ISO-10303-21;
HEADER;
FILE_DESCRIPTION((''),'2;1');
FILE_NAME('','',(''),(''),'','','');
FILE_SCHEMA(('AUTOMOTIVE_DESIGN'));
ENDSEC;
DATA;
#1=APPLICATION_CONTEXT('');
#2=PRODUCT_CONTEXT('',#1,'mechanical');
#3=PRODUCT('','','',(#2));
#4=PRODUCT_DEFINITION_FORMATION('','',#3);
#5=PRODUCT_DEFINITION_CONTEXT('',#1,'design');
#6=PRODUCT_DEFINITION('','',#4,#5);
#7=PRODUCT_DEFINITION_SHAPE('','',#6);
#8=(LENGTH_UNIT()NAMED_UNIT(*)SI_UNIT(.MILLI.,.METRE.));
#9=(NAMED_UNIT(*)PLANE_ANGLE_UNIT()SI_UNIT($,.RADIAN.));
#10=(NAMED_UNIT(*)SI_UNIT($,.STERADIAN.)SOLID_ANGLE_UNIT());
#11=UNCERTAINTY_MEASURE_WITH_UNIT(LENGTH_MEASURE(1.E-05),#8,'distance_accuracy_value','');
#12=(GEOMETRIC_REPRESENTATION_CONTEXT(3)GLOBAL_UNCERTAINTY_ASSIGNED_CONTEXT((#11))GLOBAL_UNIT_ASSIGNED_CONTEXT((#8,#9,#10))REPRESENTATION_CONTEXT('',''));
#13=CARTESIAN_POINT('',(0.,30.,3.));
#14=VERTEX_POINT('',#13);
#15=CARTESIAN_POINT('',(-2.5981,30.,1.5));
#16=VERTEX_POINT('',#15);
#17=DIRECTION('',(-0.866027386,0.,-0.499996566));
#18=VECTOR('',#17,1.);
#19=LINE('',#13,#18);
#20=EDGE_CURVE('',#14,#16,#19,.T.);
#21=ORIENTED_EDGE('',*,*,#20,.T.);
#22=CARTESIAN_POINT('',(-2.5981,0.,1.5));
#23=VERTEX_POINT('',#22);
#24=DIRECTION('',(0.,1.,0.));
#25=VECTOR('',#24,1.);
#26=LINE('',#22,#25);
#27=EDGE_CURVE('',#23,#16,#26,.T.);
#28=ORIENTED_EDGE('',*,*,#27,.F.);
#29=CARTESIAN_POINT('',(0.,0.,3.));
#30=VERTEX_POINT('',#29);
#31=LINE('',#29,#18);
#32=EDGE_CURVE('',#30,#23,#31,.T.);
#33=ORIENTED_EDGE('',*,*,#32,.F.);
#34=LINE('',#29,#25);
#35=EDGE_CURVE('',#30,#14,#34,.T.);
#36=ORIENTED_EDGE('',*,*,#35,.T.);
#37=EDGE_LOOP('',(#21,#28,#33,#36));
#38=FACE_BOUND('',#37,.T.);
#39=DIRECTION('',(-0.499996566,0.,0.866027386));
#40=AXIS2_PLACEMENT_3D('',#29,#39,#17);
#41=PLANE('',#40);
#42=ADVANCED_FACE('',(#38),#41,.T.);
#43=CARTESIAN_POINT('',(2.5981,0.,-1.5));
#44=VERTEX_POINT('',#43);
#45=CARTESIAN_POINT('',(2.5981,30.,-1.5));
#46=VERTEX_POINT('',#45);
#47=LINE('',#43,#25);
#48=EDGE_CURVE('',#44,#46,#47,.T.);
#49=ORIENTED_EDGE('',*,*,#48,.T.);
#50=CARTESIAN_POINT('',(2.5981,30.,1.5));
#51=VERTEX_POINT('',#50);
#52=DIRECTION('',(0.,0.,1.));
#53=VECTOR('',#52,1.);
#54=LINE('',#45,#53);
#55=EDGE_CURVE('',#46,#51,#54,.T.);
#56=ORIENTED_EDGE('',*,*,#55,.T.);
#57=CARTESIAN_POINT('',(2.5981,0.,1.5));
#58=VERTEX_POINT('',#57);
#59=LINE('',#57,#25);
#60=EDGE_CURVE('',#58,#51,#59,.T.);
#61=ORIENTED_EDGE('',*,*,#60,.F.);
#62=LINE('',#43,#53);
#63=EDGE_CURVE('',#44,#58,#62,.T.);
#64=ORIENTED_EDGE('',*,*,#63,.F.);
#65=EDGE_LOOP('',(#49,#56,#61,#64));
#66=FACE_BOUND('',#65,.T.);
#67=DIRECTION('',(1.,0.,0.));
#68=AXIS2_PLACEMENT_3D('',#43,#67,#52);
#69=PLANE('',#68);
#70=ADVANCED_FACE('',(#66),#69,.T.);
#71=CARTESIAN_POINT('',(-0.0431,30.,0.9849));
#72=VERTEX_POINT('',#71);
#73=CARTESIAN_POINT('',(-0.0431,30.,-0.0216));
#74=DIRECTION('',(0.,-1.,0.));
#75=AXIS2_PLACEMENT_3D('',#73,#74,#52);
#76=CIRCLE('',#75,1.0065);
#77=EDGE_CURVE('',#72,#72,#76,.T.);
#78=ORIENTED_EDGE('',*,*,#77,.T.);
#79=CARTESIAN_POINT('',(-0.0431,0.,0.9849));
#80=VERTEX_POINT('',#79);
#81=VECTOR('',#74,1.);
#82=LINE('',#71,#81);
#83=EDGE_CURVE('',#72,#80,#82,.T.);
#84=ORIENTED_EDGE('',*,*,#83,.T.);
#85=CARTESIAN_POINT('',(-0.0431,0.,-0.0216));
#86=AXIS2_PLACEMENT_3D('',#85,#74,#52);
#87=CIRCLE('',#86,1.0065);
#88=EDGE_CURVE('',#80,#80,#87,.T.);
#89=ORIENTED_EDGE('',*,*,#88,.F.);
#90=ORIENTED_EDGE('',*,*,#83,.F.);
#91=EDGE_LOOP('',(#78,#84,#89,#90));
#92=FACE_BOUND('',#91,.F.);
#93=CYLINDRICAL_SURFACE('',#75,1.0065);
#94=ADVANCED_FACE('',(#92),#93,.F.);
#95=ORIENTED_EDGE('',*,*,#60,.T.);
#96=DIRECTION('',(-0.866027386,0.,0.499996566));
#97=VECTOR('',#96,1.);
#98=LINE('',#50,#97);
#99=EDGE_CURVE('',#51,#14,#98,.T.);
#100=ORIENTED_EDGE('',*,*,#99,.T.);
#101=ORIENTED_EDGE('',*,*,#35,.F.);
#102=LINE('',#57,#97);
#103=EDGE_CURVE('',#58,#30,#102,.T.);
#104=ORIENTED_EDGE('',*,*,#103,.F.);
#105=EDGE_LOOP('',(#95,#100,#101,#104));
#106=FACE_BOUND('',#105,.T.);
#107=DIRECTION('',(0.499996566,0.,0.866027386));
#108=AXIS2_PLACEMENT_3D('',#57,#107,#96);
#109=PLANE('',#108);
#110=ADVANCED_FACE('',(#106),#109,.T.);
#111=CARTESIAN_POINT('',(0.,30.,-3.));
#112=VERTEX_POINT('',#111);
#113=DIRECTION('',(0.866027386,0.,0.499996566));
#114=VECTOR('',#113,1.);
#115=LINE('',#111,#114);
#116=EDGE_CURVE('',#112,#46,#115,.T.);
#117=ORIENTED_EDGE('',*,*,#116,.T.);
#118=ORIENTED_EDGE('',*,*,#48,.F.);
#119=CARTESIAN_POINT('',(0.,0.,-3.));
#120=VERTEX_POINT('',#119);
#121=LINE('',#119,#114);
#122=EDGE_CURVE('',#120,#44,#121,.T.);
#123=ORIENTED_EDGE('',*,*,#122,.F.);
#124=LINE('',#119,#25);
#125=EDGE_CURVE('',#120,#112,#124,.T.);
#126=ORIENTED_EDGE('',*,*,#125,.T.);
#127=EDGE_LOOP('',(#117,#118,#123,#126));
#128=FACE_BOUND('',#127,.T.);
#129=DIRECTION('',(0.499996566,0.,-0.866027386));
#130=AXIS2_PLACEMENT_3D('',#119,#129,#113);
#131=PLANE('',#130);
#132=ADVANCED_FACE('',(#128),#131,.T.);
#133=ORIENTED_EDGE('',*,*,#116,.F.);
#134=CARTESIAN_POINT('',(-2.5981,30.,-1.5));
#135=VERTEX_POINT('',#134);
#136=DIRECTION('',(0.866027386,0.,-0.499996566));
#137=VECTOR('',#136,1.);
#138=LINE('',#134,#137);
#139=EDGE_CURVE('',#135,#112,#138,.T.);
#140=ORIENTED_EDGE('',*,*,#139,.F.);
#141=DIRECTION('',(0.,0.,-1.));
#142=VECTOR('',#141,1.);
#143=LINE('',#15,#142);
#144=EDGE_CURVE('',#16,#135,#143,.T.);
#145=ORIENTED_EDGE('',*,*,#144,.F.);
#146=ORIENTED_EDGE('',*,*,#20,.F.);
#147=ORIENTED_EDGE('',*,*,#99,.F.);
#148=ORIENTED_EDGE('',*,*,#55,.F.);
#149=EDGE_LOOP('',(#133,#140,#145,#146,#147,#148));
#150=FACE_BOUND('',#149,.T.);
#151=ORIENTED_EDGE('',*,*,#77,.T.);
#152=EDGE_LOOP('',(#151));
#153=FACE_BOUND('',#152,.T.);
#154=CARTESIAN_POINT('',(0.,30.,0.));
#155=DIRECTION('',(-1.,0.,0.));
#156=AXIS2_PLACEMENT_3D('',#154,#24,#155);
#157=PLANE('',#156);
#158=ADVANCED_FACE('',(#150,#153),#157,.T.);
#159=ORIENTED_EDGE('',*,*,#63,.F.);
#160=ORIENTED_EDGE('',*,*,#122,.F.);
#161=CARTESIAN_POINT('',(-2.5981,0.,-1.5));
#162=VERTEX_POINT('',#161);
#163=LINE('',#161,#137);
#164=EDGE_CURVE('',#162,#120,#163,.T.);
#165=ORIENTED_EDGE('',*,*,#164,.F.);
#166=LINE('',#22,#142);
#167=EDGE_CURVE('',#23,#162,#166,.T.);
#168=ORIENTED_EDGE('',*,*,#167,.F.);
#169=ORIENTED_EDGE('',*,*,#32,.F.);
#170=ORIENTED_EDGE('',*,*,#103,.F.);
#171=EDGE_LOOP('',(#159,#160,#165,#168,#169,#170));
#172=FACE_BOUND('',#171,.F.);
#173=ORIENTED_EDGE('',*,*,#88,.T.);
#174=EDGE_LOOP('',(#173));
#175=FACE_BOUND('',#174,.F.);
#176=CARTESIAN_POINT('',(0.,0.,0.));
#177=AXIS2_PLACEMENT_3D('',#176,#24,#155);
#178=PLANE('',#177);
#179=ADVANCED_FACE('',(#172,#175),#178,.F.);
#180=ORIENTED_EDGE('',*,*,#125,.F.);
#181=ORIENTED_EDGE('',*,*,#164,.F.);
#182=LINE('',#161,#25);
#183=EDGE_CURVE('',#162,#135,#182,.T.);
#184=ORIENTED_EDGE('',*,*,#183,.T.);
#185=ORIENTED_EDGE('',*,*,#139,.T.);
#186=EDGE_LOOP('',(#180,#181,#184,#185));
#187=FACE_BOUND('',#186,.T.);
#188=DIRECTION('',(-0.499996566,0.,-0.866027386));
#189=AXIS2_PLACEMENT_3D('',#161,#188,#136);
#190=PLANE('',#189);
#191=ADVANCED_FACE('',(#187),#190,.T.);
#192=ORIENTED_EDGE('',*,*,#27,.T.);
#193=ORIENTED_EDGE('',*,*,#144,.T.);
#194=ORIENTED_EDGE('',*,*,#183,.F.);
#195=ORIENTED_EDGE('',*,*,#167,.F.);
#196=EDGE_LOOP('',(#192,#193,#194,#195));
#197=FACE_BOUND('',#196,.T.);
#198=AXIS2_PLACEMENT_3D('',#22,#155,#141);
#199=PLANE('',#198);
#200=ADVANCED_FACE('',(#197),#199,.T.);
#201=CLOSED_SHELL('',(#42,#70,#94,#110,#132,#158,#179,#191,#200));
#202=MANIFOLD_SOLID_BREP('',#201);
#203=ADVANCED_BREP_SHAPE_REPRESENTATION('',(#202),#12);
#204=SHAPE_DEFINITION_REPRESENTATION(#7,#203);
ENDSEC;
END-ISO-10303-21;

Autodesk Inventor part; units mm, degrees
ref_plane "YZ Plane" through (0, 0, 0) normal (1, 0, 0) x (0, 1, 0)
ref_plane "XZ Plane" through (0, 0, 0) normal (0, 1, 0) x (-1, 0, 0)
ref_plane "XY Plane" through (0, 0, 0) normal (0, 0, 1) x (1, 0, 0)
sketch "Эскиз1" plane through (0, 0, 0) normal (0, 1, 0) x (-1, 0, 0)
  line L0 (0, -3) -> (-2.5981, -1.5)
  line L1 (-2.5981, -1.5) -> (-2.5981, 1.5)
  line L2 (-2.5981, 1.5) -> (0, 3)
  line L3 (0, 3) -> (2.5981, 1.5)
  line L4 (2.5981, 1.5) -> (2.5981, -1.5)
  line L5 (2.5981, -1.5) -> (0, -3)
  circle A0 centre (0, 0) radius 3 construction
  dimension "d0" = 6
extrude "Выдавливание1" add sketch "Эскиз1" along normal blind 30
sketch "Эскиз2" plane through (0, 30, 0) normal (0, 1, 0) x (1, 0, 0)
  point P0 (0, 0)
  point P1 (-0.0431, 0.0216)
hole "Отверстие1" at (-0.0431, 30, -0.0216) direction (0, -1, 0) diameter 2.013 end through all thread size "M2.5x0.45" class "6H" standard "ISO Metric profile"
properties part number "втулки крепления электроники" material "Бронза"
